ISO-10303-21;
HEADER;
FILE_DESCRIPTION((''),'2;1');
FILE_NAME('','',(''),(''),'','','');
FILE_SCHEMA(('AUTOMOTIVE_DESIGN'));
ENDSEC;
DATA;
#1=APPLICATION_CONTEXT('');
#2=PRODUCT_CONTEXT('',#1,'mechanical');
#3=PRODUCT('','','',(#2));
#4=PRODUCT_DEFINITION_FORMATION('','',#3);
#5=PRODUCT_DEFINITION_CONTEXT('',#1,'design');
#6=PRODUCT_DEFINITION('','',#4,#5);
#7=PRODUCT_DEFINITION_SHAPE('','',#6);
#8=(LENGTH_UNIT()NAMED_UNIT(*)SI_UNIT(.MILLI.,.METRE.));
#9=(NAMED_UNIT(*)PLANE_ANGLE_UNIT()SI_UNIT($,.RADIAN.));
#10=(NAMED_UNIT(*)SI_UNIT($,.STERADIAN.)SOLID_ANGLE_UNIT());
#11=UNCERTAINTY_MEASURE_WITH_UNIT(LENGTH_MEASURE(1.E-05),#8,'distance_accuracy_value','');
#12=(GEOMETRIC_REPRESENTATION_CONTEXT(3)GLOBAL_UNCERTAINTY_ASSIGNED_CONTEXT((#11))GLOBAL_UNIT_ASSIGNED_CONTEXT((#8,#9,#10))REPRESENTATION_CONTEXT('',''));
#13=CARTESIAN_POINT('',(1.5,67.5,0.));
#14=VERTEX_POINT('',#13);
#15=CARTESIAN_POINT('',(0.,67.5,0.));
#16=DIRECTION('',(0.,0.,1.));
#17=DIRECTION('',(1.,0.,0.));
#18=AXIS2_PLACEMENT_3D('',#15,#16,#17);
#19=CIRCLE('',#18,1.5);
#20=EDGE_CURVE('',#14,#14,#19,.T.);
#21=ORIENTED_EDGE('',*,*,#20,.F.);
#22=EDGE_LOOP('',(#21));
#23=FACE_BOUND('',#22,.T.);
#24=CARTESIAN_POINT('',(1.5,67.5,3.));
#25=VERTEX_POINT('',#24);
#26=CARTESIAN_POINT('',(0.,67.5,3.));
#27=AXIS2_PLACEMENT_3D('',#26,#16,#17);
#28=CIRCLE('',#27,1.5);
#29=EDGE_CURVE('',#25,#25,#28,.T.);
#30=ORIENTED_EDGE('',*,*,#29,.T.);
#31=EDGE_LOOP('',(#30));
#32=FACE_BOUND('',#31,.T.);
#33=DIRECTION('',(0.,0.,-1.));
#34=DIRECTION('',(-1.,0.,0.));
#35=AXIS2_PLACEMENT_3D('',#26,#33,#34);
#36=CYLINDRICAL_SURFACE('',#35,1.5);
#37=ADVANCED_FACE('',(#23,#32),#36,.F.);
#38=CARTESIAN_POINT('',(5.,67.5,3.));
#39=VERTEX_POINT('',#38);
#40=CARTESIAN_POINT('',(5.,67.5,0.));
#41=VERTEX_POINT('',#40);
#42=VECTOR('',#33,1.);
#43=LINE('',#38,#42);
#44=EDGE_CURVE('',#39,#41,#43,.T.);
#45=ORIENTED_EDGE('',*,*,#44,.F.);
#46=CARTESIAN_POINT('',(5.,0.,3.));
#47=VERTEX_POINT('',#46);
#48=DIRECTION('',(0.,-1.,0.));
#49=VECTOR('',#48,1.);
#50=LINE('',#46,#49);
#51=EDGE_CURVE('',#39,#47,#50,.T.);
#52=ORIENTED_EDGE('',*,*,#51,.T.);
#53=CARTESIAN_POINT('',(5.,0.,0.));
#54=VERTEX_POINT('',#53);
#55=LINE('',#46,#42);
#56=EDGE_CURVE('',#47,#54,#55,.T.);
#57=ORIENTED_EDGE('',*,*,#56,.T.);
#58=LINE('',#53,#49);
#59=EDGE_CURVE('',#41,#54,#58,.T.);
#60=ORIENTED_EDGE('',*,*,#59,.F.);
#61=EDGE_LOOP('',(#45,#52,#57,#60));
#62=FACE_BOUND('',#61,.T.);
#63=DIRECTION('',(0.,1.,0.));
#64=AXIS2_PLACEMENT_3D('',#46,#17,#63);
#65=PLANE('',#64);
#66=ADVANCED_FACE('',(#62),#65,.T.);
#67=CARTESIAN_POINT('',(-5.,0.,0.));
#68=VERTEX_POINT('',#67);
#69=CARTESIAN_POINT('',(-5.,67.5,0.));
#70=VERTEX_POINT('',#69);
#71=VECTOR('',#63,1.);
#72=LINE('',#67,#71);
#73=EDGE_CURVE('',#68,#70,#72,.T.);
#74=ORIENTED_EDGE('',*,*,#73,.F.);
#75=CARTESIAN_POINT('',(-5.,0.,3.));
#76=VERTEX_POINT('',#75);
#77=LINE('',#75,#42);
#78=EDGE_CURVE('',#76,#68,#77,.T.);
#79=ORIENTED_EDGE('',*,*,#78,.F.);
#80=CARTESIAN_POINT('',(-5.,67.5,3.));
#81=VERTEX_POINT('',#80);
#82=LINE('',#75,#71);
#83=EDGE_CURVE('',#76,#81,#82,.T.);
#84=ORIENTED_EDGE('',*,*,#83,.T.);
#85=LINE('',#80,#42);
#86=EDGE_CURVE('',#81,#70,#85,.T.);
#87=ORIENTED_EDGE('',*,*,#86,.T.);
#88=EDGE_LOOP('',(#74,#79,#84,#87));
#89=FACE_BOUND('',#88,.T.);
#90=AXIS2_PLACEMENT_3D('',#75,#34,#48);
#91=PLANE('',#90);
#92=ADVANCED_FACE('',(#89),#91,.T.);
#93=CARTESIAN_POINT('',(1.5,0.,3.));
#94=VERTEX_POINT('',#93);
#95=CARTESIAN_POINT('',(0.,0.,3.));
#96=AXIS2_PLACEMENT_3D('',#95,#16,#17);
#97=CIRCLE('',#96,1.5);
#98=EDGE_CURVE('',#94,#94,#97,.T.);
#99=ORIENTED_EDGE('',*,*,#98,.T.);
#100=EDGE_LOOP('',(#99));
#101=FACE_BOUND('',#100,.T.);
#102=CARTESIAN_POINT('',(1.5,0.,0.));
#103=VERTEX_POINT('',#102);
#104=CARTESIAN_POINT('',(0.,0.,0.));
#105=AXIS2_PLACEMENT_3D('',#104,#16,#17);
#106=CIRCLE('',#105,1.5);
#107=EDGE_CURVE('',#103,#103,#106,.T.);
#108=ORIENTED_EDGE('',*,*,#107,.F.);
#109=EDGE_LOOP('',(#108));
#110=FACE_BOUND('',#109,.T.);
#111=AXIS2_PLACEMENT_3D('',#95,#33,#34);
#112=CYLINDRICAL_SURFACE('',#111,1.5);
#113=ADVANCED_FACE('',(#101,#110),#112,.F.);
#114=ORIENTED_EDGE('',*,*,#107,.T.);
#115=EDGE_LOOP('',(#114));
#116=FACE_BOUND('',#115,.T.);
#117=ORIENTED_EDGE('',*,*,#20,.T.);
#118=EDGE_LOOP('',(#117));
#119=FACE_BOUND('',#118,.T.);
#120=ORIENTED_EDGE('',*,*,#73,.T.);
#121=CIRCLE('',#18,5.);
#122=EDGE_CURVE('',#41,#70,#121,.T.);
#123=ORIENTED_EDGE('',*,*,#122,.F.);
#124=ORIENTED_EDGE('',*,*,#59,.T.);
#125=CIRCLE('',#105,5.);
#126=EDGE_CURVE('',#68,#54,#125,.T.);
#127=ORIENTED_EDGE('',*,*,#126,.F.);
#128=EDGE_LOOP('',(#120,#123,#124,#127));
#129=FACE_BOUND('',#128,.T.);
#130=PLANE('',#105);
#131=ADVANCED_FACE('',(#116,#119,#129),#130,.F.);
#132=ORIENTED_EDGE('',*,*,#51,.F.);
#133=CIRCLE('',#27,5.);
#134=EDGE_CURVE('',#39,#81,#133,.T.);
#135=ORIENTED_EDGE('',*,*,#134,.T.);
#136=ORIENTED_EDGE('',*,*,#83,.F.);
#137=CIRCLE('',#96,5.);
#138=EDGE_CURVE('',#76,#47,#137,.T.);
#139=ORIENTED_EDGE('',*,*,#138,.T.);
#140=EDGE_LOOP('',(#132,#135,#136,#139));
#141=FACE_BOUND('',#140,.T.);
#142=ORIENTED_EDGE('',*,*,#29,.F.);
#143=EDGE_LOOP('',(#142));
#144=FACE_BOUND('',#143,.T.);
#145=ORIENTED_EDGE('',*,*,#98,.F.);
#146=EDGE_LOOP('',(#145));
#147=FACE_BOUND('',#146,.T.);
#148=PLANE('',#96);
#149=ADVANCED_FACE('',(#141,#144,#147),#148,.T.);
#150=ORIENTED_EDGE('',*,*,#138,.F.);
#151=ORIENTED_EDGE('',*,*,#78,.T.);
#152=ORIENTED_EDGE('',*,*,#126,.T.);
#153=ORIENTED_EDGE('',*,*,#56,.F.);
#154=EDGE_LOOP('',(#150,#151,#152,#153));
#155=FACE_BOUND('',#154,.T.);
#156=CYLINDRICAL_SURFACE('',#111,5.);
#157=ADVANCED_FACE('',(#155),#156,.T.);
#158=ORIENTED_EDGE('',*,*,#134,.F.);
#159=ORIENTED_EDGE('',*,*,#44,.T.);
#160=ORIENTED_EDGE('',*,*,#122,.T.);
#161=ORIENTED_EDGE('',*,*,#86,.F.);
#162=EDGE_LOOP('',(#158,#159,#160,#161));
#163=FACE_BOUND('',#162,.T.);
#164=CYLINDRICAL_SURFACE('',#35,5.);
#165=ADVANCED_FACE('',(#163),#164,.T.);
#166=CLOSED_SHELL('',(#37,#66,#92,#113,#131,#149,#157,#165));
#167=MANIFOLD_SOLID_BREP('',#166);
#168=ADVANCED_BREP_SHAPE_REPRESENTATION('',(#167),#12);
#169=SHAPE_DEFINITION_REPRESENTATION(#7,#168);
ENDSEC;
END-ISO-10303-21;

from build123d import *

# Parameters (mm, degrees)
SKETCH1_R           = 5
SKETCH1_R_2         = 1.5
BOSS_EXTRUDE1_DEPTH = 3


with BuildPart() as part:
    # Sketch1 → Boss-Extrude1 (new body)
    # profile 1 of 3: a face of its own
    with BuildSketch(Plane.XY):
        with BuildLine():
            Line((-5, 67.5), (-5, 0))
            ThreePointArc((-5, 0), (0, 5), (5, 0))
            Line((5, 0), (5, 67.5))
            ThreePointArc((5, 67.5), (0, 62.5), (-5, 67.5))
        make_face()
    # profile 2 of 3: a face of its own
    with BuildSketch(Plane.XY):
        with Locations((0, 67.5)):
            Circle(SKETCH1_R)
        with Locations((0, 67.5)):
            Circle(SKETCH1_R_2, mode=Mode.SUBTRACT)
    # profile 3 of 3: a face of its own
    with BuildSketch(Plane.XY):
        Circle(SKETCH1_R)
        Circle(SKETCH1_R_2, mode=Mode.SUBTRACT)
    extrude(amount=BOSS_EXTRUDE1_DEPTH)


solid = part.part
